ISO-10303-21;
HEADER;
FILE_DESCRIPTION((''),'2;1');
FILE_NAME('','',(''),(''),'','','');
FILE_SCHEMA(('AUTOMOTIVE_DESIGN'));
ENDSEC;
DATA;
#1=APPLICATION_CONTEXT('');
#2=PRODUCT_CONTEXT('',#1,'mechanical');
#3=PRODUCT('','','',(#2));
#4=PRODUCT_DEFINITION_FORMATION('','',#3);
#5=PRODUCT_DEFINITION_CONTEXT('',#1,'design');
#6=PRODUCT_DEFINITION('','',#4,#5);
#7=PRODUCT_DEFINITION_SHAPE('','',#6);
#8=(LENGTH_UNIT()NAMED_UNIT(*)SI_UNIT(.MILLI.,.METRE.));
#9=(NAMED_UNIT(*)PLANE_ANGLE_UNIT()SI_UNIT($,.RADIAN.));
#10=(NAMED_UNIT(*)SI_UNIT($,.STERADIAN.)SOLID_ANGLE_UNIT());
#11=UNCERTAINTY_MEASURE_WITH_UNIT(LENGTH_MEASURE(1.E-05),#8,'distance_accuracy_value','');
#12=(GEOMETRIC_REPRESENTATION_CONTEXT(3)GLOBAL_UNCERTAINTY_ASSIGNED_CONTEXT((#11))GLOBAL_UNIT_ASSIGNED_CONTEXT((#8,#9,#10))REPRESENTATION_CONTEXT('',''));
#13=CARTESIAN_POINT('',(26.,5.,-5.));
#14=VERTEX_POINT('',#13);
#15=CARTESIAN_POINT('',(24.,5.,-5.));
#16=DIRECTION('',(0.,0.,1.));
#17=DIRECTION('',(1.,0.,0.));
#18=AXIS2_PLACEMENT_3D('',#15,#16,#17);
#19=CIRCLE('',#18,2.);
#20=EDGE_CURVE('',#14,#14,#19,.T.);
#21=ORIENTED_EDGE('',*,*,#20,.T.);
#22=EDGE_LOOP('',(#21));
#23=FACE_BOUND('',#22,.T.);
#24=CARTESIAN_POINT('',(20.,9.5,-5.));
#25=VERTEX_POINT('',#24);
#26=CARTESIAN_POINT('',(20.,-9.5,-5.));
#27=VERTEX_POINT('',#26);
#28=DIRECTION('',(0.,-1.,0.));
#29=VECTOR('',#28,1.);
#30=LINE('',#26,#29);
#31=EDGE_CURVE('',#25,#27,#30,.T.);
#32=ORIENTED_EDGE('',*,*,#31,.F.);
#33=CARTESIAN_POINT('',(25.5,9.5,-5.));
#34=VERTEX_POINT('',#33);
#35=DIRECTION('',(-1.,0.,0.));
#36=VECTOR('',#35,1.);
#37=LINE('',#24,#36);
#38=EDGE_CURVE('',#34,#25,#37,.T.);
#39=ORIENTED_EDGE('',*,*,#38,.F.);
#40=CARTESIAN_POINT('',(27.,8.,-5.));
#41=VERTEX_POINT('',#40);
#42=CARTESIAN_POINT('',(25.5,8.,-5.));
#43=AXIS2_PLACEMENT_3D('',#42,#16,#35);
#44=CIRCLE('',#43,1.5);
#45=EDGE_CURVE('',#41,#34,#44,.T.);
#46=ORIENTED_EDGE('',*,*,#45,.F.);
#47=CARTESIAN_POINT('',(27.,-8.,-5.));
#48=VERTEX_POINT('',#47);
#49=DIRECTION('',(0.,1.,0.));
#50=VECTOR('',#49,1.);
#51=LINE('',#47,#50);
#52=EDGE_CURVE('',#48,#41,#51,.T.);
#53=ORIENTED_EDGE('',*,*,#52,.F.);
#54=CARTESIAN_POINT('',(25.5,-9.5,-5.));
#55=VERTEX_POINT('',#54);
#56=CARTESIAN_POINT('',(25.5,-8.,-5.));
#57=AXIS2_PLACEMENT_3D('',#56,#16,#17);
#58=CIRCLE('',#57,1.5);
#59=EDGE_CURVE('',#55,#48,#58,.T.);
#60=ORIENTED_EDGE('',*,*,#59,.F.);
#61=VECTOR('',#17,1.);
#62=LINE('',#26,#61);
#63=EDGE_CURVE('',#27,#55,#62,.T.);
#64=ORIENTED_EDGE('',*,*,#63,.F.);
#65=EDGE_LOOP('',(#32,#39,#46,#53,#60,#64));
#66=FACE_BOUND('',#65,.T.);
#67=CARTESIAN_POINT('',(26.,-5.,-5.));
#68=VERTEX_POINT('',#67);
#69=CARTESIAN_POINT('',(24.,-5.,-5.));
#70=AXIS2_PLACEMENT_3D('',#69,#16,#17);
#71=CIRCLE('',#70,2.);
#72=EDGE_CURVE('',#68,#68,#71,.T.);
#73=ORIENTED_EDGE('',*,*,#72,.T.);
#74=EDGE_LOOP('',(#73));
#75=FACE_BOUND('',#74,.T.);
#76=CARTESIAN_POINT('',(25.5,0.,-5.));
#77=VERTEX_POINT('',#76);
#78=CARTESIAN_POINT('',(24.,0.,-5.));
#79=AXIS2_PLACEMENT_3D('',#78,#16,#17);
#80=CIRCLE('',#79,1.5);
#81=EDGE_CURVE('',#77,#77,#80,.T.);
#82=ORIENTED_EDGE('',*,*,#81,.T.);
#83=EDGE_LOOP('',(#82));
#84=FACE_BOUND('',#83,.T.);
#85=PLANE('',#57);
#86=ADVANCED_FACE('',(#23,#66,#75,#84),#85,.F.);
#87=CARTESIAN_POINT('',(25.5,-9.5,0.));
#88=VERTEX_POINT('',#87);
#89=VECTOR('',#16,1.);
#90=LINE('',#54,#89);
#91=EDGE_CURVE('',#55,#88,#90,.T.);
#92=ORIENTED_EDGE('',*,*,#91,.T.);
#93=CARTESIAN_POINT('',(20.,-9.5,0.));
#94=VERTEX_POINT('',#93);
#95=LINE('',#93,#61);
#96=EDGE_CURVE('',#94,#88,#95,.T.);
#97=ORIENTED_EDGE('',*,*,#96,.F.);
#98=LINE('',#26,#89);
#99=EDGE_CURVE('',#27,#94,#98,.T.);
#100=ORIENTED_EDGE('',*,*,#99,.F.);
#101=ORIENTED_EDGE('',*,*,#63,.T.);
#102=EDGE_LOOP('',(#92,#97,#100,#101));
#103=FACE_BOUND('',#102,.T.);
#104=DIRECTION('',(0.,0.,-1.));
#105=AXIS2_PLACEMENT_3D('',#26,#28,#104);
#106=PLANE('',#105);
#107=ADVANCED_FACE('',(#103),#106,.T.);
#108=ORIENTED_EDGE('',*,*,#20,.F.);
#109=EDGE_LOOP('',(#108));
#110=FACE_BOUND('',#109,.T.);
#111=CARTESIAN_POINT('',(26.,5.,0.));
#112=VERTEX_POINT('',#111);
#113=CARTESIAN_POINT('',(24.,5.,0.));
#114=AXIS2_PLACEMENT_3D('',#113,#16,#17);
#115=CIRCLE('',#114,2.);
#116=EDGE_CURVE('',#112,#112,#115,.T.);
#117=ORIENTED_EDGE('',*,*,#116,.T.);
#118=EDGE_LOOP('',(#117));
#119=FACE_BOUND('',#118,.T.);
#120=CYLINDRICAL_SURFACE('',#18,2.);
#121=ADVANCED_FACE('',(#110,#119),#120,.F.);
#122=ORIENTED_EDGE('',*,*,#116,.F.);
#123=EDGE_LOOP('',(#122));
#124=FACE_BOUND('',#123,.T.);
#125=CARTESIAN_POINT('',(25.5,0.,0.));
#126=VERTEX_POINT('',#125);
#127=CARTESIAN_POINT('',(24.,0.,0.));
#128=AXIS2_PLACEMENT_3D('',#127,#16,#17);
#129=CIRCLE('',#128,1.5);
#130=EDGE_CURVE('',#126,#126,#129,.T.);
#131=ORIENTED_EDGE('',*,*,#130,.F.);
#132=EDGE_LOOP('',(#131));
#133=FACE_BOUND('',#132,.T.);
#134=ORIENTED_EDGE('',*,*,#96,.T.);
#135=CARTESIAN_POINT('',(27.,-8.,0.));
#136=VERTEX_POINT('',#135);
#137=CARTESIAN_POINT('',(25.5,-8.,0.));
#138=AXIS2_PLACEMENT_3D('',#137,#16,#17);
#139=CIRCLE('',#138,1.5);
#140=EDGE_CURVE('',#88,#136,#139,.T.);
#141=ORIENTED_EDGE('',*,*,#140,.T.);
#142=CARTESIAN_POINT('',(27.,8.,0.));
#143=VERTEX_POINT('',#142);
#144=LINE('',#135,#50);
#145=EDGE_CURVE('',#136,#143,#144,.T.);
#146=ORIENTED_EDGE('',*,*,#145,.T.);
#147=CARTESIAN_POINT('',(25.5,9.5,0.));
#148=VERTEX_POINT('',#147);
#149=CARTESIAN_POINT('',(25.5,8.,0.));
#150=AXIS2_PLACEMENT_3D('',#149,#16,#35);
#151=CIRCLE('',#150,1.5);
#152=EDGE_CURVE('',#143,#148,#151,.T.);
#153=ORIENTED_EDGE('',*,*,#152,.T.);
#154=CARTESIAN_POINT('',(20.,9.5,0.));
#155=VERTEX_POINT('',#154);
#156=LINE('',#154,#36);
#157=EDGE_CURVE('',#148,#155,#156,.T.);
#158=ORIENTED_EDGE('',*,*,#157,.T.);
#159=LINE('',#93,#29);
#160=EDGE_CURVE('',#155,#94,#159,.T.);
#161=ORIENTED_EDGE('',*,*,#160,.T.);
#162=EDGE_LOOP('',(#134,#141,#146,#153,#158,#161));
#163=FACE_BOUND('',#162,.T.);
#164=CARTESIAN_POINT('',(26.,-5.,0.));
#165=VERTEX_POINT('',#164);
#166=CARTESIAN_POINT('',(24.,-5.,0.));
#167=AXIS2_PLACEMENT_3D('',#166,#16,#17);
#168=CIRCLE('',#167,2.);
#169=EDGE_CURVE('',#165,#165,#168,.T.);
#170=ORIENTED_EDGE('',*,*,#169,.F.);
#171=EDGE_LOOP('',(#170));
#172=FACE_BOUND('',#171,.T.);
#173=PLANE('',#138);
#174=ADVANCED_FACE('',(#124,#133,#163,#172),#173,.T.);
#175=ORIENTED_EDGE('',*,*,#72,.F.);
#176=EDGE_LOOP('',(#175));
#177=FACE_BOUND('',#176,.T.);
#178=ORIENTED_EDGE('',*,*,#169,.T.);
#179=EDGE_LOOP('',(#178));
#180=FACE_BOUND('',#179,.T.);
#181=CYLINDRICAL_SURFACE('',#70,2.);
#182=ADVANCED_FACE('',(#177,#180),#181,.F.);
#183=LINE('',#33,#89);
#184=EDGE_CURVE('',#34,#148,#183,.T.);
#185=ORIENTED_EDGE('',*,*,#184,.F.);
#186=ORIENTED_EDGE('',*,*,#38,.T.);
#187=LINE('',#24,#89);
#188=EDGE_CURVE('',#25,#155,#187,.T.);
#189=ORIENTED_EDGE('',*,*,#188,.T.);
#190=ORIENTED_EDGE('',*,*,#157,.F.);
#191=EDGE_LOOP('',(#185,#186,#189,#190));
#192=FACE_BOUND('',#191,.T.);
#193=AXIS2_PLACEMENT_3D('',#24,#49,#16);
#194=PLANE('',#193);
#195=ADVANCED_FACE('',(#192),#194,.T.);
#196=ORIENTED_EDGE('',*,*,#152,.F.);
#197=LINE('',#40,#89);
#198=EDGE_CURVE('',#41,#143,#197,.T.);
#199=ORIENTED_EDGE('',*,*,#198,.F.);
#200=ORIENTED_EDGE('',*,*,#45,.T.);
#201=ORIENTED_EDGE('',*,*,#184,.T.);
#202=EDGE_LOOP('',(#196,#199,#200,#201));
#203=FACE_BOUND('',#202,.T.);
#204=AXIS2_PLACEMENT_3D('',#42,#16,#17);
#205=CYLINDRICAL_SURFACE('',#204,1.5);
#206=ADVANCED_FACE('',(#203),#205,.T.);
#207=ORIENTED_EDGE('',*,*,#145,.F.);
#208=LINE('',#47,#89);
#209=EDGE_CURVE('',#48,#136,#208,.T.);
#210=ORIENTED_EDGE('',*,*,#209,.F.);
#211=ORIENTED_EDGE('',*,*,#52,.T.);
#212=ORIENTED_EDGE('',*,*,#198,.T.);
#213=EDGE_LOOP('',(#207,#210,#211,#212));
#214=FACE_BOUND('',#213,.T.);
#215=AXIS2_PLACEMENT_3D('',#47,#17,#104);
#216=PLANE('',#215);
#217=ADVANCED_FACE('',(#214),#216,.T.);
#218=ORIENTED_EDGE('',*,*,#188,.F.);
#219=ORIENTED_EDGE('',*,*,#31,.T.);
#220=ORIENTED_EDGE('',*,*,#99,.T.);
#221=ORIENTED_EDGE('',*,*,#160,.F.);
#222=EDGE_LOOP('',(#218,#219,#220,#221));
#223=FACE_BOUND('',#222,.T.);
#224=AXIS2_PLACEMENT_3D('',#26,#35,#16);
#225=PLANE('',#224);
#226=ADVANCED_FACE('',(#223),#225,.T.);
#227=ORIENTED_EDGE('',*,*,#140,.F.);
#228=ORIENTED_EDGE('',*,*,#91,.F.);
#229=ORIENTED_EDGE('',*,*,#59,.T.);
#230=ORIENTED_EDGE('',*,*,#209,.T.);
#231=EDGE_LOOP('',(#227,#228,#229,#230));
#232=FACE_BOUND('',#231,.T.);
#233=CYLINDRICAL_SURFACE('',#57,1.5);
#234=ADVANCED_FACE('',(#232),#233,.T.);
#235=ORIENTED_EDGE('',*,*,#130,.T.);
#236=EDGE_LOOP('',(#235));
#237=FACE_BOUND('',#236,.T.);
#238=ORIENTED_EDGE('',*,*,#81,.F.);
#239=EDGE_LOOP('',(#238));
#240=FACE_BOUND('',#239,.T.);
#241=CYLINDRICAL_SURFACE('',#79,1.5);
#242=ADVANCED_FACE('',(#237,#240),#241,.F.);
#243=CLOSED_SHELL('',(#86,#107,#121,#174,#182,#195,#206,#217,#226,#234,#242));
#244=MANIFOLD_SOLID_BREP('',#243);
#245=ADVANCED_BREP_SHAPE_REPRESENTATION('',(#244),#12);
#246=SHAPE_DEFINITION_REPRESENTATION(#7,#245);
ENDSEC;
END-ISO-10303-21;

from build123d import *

# Parameters (mm, degrees)
SKETCH1_R           = 2
SKETCH1_R_2         = 1.5
BOSS_EXTRUDE2_DEPTH = 5


with BuildPart() as part:
    # Sketch1 → Boss-Extrude2 (new body)
    with BuildSketch(Plane.XY):
        with BuildLine():
            Line((20, -9.5), (20, 9.5))
            Line((20, 9.5), (25.5, 9.5))
            ThreePointArc((25.5, 9.5), (26.560660172, 9.060660172), (27, 8))
            Line((27, 8), (27, -8))
            ThreePointArc((27, -8), (26.560660172, -9.060660172), (25.5, -9.5))
            Line((25.5, -9.5), (20, -9.5))
        make_face()
        with Locations((24, 5)):
            Circle(SKETCH1_R, mode=Mode.SUBTRACT)
        with Locations((24, -5)):
            Circle(SKETCH1_R, mode=Mode.SUBTRACT)
        with Locations((24, 0)):
            Circle(SKETCH1_R_2, mode=Mode.SUBTRACT)
    extrude(amount=-BOSS_EXTRUDE2_DEPTH)


solid = part.part
